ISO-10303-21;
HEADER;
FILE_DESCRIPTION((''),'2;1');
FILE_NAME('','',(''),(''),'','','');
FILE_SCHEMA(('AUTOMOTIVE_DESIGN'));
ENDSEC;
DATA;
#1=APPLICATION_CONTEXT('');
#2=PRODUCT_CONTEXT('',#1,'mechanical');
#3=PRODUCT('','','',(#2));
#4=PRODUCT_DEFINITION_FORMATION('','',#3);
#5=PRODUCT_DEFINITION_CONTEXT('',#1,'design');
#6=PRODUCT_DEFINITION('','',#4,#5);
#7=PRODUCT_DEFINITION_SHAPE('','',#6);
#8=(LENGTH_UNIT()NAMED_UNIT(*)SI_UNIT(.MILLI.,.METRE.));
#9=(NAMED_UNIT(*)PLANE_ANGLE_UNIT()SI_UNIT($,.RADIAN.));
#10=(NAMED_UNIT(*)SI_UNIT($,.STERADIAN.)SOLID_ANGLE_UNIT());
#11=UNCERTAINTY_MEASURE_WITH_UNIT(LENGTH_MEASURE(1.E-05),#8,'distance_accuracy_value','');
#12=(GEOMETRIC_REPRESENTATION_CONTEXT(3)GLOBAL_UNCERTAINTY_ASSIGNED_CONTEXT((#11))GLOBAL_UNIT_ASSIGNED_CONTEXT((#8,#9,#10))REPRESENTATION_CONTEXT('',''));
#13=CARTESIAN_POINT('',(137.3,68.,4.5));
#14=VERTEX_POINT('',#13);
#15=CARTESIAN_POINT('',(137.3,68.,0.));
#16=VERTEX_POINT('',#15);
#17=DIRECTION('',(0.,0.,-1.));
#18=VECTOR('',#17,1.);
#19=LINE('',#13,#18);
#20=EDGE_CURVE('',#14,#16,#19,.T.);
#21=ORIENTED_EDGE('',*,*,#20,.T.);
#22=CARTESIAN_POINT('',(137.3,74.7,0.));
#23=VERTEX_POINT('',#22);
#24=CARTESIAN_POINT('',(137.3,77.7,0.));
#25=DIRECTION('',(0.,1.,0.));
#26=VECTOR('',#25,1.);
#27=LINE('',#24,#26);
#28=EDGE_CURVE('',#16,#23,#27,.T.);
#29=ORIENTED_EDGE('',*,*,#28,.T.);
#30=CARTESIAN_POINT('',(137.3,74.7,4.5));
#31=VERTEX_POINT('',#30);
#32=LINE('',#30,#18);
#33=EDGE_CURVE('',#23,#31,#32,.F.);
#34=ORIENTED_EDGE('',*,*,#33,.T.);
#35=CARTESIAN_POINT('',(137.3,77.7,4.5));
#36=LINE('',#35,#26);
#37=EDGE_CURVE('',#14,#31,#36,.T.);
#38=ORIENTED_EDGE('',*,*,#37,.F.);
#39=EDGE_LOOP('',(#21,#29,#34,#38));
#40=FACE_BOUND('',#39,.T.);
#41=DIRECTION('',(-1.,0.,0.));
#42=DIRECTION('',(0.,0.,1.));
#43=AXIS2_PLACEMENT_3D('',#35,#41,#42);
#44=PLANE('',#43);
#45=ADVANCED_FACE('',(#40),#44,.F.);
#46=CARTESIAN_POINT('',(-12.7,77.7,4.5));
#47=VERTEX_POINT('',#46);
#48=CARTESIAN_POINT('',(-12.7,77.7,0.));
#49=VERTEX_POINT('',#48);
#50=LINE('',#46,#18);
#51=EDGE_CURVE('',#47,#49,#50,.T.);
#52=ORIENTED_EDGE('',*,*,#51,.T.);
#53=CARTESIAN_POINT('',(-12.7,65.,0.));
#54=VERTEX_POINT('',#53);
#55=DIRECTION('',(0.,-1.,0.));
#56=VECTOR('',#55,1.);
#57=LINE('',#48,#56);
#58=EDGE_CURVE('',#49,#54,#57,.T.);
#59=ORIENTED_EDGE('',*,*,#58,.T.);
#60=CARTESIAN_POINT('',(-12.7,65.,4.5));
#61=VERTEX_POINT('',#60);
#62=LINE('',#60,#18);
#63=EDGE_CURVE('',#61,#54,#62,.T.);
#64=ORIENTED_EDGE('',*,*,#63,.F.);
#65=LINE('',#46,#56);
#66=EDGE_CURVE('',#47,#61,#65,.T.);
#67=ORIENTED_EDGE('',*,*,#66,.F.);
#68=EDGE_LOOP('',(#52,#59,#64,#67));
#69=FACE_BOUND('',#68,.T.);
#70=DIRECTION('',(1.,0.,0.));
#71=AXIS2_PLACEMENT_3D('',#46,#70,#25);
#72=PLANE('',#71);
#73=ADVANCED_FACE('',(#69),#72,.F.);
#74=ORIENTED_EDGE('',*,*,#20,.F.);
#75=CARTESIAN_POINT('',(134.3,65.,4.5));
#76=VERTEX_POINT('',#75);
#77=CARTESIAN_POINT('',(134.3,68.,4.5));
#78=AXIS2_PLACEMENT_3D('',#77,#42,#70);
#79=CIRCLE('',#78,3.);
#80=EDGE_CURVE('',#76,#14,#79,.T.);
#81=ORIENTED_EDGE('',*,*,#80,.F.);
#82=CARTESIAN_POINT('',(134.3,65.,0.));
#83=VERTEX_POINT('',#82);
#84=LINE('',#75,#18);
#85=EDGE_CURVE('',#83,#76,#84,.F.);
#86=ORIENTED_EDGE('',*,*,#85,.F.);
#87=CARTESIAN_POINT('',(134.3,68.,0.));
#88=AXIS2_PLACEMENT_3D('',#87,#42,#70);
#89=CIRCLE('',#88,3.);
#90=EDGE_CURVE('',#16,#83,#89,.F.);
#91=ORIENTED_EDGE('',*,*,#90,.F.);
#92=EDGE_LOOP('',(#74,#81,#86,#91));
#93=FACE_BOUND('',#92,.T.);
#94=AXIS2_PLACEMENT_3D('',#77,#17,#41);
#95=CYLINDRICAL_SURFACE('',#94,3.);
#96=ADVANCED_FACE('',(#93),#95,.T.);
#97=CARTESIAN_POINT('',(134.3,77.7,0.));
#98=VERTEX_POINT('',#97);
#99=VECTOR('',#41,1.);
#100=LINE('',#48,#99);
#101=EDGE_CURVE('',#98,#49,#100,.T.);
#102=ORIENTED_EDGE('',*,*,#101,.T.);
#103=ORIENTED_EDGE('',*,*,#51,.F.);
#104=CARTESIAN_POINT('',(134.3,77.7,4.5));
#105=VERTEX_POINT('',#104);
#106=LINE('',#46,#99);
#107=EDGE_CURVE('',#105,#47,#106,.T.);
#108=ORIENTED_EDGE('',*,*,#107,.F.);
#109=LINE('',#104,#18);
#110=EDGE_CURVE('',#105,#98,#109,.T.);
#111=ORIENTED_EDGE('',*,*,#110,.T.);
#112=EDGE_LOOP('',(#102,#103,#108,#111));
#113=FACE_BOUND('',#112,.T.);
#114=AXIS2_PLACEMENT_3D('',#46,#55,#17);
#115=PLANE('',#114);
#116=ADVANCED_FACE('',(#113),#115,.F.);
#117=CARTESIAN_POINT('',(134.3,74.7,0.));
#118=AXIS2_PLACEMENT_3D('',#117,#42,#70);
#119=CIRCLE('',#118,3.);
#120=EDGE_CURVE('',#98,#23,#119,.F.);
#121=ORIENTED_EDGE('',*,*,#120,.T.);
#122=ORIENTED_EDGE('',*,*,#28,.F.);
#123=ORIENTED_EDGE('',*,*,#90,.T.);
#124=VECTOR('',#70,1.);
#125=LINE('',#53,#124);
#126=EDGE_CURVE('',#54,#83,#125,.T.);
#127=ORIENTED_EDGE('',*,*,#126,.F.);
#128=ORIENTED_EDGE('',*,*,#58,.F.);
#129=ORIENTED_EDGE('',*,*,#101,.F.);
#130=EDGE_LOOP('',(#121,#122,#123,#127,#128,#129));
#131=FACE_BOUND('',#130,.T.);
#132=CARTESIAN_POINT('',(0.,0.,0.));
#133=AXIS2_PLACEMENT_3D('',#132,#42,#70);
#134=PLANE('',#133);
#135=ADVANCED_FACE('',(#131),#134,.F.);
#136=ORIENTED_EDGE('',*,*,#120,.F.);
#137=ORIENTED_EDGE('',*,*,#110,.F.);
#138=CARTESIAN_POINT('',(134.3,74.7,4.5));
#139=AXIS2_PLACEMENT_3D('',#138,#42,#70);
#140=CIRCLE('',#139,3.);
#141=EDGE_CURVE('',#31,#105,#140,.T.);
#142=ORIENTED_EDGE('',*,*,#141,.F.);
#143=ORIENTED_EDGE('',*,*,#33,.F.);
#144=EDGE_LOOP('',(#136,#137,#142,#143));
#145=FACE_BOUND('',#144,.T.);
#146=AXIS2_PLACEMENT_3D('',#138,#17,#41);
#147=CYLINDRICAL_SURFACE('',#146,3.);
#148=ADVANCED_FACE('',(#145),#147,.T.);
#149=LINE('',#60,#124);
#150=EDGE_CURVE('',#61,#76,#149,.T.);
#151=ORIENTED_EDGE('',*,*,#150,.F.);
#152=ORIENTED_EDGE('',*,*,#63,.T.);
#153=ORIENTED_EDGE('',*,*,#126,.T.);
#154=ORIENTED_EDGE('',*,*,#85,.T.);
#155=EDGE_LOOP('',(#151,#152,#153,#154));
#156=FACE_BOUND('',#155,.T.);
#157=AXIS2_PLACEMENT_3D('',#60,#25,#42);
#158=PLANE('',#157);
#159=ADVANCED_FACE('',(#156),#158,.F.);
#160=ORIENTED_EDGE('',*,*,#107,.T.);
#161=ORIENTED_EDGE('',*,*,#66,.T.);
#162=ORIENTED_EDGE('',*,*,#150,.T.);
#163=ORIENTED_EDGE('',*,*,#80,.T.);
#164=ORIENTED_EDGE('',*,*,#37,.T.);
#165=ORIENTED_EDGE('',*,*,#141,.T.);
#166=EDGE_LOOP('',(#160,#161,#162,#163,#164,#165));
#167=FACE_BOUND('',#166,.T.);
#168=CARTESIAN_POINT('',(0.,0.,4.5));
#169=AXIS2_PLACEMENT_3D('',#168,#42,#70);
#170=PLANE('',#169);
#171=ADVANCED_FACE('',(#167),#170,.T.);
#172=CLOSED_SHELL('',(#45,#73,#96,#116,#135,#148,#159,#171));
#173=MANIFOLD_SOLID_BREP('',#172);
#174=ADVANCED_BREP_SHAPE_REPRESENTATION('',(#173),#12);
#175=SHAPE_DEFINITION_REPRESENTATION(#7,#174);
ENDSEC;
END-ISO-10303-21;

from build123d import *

# Parameters (mm, degrees)
SKETCH1_W           = 150
SKETCH1_H           = 12.7
BOSS_EXTRUDE1_DEPTH = 4.5
FILLET1_R           = 3


with BuildPart() as part:
    # Sketch1 → Boss-Extrude1 (new body)
    with BuildSketch(Plane.XY):
        with Locations((62.3, 71.35)):
            Rectangle(SKETCH1_W, SKETCH1_H)
    extrude(amount=BOSS_EXTRUDE1_DEPTH)

    # Fillet1
    fillet1_edges = [part.edges().sort_by_distance(p)[0] for p in [
        (137.3, 77.7, 2.25),
        (137.3, 65, 2.25),
    ]]
    fillet(fillet1_edges, radius=FILLET1_R)


solid = part.part
